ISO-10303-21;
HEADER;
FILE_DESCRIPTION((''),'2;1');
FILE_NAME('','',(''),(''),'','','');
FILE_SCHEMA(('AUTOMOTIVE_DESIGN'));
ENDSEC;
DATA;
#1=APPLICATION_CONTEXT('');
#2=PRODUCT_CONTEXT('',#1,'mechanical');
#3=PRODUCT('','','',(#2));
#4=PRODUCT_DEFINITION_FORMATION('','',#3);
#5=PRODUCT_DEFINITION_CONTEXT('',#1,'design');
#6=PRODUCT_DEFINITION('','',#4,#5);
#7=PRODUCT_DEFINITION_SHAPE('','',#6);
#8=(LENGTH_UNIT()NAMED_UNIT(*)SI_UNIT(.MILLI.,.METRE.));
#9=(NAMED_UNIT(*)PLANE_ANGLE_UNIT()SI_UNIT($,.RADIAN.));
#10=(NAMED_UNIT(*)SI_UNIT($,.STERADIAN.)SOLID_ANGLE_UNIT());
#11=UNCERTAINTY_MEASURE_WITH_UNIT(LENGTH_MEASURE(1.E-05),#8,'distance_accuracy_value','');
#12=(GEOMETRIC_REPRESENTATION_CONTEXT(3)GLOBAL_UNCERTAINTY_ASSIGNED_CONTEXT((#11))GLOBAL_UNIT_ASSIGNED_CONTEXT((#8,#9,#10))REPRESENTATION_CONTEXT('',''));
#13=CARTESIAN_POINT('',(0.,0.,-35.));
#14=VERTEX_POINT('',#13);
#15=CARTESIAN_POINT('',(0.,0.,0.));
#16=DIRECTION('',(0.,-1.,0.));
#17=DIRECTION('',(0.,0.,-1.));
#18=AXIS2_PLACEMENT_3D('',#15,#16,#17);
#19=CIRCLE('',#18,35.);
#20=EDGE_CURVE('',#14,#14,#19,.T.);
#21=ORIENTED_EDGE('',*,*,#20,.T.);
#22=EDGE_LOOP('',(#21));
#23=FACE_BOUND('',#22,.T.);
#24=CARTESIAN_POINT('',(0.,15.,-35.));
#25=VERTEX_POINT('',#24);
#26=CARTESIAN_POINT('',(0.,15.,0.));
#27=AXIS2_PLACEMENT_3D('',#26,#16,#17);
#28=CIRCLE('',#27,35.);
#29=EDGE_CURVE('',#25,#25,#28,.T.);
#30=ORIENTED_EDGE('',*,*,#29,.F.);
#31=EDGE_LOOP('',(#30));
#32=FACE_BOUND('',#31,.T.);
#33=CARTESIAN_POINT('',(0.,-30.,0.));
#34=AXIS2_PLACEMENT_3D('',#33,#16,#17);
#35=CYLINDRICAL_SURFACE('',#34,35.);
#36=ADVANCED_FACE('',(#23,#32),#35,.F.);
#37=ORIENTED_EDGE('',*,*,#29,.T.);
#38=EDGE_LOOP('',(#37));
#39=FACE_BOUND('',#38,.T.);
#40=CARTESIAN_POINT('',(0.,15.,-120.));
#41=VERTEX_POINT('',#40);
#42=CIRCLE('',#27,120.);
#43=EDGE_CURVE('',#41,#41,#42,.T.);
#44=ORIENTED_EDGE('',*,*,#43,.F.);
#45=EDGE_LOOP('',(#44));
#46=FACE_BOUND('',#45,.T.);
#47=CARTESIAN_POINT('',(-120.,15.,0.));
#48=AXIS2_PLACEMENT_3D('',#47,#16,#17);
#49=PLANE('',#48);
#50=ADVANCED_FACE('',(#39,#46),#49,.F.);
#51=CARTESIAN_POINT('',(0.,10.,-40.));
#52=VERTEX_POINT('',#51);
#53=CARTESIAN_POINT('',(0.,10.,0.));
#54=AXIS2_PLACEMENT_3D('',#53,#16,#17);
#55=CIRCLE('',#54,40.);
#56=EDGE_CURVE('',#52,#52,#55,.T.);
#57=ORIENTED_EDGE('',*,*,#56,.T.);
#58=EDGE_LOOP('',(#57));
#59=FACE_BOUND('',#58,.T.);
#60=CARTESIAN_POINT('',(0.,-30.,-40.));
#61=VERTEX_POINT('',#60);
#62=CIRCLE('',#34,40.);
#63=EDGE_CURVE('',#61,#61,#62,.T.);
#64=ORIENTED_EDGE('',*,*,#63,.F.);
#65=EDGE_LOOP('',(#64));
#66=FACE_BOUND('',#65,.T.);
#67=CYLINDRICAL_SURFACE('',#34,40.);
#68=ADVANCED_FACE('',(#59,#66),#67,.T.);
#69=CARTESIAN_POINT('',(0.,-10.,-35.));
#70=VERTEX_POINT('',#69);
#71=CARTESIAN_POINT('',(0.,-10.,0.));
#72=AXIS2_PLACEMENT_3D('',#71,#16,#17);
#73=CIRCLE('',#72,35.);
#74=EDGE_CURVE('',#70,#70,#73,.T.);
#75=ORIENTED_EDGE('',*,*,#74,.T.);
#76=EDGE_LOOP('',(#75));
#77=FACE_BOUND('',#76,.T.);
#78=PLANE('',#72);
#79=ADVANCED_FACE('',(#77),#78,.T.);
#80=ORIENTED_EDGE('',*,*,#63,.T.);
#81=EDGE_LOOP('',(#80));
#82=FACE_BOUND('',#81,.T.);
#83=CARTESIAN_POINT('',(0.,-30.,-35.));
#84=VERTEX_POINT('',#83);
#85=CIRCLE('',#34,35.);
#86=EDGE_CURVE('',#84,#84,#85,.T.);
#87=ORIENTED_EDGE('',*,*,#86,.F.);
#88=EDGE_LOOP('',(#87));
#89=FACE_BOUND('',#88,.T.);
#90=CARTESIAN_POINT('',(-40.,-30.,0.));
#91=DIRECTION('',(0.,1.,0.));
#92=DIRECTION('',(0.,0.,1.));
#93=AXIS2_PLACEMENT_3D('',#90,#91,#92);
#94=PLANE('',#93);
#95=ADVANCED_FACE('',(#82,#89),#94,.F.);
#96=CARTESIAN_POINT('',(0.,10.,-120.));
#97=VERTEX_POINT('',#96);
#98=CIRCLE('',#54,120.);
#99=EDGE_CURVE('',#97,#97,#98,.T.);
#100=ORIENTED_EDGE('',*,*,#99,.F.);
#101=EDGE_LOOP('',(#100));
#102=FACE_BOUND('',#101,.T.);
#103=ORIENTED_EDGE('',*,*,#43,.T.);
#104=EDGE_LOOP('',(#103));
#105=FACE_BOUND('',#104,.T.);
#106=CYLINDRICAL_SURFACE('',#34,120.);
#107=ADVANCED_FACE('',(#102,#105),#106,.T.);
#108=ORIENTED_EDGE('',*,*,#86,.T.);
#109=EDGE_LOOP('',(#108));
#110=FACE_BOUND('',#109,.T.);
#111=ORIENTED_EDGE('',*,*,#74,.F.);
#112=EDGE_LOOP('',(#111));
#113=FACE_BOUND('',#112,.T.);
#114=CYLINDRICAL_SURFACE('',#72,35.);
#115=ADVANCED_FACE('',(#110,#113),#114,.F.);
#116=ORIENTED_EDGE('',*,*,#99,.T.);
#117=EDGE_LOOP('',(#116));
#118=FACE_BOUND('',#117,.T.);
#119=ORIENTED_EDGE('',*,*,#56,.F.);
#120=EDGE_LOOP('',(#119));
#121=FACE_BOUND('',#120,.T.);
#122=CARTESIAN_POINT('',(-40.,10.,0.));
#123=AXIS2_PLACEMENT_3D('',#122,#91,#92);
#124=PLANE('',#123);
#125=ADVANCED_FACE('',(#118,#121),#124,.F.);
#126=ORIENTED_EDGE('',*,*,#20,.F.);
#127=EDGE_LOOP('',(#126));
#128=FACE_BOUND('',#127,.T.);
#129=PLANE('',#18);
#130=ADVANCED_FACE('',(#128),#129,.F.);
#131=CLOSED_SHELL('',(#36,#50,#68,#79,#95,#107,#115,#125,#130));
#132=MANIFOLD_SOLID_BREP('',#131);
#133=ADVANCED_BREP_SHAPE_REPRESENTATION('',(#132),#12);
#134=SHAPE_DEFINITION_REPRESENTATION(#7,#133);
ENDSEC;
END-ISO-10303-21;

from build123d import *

# Parameters (mm, degrees)
CUT_EXTRUDE_START   = -20
SKETCH_2_R          = 35
CUT_EXTRUDE_1_DEPTH = 20


with BuildPart() as part:
    # Эскиз1 → Повернуть1 (revolve)
    with BuildSketch(Plane.XY, mode=Mode.PRIVATE) as revolve_1_sk:
        Polygon((0, 0), (-35, 0), (-35, 15), (-120, 15), (-120, 10), (-40, 10), (-40, -30), (0, -30), align=None)
    revolve(revolve_1_sk.sketch.rotate(Axis((0, -30, 0), (0, 1, 0)), 270), axis=Axis((0, -30, 0), (0, 1, 0)))

    # Эскиз2 → Вырез-Вытянуть1 (cut)
    with BuildSketch(Plane.XZ.offset(30).offset(CUT_EXTRUDE_START)):
        with Locations(Location((0, 0, 0), (0, 0, 270))):
            Circle(SKETCH_2_R)
    extrude(amount=CUT_EXTRUDE_1_DEPTH, mode=Mode.SUBTRACT)


solid = part.part
